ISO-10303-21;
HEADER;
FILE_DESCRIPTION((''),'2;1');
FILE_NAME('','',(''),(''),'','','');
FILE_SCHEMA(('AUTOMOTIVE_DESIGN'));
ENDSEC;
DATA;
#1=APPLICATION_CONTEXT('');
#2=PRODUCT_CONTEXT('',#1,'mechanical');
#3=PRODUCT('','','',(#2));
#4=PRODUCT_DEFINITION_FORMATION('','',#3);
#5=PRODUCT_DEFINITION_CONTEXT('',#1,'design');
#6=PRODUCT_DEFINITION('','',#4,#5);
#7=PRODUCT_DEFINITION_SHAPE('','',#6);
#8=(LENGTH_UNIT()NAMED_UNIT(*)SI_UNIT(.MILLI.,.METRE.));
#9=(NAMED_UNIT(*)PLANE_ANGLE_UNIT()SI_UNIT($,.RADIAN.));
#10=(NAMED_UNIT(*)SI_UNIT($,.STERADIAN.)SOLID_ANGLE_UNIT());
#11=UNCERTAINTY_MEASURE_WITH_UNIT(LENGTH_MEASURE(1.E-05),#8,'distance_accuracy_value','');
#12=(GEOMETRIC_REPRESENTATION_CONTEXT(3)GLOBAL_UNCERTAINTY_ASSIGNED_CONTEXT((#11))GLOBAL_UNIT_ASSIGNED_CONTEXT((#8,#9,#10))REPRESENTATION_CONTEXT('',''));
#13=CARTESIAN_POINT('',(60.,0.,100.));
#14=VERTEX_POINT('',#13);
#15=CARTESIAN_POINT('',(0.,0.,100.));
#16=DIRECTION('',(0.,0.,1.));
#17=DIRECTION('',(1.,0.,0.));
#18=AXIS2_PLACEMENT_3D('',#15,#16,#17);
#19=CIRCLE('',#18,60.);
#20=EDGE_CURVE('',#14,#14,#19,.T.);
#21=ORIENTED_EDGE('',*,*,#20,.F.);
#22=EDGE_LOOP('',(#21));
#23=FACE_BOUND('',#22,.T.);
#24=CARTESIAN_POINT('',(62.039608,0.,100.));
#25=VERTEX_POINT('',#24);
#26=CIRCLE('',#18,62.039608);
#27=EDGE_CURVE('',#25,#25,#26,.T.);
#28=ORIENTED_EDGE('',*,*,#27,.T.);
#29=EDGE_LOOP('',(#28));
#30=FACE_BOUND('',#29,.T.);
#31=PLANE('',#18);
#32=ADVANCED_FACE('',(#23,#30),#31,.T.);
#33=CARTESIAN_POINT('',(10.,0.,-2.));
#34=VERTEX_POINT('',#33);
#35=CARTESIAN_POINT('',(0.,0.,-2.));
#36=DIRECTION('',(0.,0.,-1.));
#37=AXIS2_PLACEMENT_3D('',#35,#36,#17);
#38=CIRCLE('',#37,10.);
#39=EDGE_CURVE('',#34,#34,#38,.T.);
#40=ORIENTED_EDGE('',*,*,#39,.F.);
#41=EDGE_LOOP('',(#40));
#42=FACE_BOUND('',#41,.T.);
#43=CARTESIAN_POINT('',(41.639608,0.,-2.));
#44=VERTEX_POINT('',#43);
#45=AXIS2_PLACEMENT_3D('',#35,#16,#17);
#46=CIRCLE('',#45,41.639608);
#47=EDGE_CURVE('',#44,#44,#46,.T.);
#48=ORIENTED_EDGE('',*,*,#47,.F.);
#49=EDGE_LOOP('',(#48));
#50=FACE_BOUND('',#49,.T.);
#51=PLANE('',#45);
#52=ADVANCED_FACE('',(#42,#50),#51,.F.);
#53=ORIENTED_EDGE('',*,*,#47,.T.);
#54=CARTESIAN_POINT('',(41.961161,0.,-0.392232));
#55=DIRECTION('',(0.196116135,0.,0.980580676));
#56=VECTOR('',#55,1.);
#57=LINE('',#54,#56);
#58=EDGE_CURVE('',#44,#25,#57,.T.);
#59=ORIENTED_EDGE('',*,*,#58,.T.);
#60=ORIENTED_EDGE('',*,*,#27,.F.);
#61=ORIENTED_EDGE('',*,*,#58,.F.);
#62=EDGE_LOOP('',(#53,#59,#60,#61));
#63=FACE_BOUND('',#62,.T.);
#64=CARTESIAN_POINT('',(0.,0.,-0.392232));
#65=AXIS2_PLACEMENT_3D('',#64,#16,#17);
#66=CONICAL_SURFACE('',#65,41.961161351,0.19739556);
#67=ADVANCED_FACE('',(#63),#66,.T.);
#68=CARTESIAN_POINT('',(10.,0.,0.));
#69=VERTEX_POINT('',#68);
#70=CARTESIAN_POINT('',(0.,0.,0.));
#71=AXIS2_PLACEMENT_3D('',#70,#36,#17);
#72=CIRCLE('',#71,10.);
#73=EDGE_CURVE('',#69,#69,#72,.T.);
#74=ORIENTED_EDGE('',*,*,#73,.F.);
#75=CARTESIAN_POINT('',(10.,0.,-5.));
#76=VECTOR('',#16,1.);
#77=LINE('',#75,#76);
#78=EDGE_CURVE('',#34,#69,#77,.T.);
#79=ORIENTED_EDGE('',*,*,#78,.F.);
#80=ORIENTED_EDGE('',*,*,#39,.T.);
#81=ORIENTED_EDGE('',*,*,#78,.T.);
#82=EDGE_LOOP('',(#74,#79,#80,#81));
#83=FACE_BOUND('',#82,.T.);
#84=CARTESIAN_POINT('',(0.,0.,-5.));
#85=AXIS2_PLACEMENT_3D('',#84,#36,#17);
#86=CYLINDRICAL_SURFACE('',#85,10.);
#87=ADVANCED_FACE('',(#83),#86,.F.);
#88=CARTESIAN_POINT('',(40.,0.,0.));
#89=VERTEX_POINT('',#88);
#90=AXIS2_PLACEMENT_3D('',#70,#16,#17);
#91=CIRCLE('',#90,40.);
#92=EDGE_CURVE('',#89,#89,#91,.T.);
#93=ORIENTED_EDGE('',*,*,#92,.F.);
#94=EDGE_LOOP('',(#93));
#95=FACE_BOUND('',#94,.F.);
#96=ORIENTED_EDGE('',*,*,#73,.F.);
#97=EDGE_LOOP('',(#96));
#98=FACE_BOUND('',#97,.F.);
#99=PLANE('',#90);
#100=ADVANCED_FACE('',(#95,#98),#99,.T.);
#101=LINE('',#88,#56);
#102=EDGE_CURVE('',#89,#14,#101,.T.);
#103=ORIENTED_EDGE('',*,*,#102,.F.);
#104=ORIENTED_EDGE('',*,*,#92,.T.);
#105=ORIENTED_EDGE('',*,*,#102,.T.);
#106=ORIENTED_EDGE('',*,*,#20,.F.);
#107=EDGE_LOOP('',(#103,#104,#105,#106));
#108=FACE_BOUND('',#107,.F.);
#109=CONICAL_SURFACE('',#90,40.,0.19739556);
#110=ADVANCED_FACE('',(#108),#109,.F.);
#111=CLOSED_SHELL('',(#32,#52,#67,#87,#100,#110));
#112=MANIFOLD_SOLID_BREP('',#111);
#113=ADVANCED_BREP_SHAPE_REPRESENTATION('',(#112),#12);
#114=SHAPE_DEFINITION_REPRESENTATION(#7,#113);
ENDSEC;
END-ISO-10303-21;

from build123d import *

# Parameters (mm, degrees)
CYLINDER_R     = 10
CYLINDER_DEPTH = 10
THICKNESS_T    = 2


with BuildPart() as cilindro:
    # Cylinder → Cylinder (new body)
    with BuildSketch(Plane.XY.offset(-5)):
        Circle(CYLINDER_R)
    extrude(amount=CYLINDER_DEPTH)


with BuildPart() as cut:
    # Cone → Cone (revolve)
    with BuildSketch(Plane.XZ):
        Polygon((0, 0), (40, 0), (60, 100), (0, 100), align=None)
    revolve(axis=Axis((0, 0, 0), (0, 0, 1)))

    # Thickness
    thickness_openings = [cut.faces().sort_by_distance(p)[0] for p in [
        (0, 0, 100),
    ]]
    offset(amount=THICKNESS_T, openings=thickness_openings, kind=Kind.INTERSECTION)

    # Cut: cut Cilindro
    add(cilindro.part, mode=Mode.SUBTRACT)


solid = cut.part
